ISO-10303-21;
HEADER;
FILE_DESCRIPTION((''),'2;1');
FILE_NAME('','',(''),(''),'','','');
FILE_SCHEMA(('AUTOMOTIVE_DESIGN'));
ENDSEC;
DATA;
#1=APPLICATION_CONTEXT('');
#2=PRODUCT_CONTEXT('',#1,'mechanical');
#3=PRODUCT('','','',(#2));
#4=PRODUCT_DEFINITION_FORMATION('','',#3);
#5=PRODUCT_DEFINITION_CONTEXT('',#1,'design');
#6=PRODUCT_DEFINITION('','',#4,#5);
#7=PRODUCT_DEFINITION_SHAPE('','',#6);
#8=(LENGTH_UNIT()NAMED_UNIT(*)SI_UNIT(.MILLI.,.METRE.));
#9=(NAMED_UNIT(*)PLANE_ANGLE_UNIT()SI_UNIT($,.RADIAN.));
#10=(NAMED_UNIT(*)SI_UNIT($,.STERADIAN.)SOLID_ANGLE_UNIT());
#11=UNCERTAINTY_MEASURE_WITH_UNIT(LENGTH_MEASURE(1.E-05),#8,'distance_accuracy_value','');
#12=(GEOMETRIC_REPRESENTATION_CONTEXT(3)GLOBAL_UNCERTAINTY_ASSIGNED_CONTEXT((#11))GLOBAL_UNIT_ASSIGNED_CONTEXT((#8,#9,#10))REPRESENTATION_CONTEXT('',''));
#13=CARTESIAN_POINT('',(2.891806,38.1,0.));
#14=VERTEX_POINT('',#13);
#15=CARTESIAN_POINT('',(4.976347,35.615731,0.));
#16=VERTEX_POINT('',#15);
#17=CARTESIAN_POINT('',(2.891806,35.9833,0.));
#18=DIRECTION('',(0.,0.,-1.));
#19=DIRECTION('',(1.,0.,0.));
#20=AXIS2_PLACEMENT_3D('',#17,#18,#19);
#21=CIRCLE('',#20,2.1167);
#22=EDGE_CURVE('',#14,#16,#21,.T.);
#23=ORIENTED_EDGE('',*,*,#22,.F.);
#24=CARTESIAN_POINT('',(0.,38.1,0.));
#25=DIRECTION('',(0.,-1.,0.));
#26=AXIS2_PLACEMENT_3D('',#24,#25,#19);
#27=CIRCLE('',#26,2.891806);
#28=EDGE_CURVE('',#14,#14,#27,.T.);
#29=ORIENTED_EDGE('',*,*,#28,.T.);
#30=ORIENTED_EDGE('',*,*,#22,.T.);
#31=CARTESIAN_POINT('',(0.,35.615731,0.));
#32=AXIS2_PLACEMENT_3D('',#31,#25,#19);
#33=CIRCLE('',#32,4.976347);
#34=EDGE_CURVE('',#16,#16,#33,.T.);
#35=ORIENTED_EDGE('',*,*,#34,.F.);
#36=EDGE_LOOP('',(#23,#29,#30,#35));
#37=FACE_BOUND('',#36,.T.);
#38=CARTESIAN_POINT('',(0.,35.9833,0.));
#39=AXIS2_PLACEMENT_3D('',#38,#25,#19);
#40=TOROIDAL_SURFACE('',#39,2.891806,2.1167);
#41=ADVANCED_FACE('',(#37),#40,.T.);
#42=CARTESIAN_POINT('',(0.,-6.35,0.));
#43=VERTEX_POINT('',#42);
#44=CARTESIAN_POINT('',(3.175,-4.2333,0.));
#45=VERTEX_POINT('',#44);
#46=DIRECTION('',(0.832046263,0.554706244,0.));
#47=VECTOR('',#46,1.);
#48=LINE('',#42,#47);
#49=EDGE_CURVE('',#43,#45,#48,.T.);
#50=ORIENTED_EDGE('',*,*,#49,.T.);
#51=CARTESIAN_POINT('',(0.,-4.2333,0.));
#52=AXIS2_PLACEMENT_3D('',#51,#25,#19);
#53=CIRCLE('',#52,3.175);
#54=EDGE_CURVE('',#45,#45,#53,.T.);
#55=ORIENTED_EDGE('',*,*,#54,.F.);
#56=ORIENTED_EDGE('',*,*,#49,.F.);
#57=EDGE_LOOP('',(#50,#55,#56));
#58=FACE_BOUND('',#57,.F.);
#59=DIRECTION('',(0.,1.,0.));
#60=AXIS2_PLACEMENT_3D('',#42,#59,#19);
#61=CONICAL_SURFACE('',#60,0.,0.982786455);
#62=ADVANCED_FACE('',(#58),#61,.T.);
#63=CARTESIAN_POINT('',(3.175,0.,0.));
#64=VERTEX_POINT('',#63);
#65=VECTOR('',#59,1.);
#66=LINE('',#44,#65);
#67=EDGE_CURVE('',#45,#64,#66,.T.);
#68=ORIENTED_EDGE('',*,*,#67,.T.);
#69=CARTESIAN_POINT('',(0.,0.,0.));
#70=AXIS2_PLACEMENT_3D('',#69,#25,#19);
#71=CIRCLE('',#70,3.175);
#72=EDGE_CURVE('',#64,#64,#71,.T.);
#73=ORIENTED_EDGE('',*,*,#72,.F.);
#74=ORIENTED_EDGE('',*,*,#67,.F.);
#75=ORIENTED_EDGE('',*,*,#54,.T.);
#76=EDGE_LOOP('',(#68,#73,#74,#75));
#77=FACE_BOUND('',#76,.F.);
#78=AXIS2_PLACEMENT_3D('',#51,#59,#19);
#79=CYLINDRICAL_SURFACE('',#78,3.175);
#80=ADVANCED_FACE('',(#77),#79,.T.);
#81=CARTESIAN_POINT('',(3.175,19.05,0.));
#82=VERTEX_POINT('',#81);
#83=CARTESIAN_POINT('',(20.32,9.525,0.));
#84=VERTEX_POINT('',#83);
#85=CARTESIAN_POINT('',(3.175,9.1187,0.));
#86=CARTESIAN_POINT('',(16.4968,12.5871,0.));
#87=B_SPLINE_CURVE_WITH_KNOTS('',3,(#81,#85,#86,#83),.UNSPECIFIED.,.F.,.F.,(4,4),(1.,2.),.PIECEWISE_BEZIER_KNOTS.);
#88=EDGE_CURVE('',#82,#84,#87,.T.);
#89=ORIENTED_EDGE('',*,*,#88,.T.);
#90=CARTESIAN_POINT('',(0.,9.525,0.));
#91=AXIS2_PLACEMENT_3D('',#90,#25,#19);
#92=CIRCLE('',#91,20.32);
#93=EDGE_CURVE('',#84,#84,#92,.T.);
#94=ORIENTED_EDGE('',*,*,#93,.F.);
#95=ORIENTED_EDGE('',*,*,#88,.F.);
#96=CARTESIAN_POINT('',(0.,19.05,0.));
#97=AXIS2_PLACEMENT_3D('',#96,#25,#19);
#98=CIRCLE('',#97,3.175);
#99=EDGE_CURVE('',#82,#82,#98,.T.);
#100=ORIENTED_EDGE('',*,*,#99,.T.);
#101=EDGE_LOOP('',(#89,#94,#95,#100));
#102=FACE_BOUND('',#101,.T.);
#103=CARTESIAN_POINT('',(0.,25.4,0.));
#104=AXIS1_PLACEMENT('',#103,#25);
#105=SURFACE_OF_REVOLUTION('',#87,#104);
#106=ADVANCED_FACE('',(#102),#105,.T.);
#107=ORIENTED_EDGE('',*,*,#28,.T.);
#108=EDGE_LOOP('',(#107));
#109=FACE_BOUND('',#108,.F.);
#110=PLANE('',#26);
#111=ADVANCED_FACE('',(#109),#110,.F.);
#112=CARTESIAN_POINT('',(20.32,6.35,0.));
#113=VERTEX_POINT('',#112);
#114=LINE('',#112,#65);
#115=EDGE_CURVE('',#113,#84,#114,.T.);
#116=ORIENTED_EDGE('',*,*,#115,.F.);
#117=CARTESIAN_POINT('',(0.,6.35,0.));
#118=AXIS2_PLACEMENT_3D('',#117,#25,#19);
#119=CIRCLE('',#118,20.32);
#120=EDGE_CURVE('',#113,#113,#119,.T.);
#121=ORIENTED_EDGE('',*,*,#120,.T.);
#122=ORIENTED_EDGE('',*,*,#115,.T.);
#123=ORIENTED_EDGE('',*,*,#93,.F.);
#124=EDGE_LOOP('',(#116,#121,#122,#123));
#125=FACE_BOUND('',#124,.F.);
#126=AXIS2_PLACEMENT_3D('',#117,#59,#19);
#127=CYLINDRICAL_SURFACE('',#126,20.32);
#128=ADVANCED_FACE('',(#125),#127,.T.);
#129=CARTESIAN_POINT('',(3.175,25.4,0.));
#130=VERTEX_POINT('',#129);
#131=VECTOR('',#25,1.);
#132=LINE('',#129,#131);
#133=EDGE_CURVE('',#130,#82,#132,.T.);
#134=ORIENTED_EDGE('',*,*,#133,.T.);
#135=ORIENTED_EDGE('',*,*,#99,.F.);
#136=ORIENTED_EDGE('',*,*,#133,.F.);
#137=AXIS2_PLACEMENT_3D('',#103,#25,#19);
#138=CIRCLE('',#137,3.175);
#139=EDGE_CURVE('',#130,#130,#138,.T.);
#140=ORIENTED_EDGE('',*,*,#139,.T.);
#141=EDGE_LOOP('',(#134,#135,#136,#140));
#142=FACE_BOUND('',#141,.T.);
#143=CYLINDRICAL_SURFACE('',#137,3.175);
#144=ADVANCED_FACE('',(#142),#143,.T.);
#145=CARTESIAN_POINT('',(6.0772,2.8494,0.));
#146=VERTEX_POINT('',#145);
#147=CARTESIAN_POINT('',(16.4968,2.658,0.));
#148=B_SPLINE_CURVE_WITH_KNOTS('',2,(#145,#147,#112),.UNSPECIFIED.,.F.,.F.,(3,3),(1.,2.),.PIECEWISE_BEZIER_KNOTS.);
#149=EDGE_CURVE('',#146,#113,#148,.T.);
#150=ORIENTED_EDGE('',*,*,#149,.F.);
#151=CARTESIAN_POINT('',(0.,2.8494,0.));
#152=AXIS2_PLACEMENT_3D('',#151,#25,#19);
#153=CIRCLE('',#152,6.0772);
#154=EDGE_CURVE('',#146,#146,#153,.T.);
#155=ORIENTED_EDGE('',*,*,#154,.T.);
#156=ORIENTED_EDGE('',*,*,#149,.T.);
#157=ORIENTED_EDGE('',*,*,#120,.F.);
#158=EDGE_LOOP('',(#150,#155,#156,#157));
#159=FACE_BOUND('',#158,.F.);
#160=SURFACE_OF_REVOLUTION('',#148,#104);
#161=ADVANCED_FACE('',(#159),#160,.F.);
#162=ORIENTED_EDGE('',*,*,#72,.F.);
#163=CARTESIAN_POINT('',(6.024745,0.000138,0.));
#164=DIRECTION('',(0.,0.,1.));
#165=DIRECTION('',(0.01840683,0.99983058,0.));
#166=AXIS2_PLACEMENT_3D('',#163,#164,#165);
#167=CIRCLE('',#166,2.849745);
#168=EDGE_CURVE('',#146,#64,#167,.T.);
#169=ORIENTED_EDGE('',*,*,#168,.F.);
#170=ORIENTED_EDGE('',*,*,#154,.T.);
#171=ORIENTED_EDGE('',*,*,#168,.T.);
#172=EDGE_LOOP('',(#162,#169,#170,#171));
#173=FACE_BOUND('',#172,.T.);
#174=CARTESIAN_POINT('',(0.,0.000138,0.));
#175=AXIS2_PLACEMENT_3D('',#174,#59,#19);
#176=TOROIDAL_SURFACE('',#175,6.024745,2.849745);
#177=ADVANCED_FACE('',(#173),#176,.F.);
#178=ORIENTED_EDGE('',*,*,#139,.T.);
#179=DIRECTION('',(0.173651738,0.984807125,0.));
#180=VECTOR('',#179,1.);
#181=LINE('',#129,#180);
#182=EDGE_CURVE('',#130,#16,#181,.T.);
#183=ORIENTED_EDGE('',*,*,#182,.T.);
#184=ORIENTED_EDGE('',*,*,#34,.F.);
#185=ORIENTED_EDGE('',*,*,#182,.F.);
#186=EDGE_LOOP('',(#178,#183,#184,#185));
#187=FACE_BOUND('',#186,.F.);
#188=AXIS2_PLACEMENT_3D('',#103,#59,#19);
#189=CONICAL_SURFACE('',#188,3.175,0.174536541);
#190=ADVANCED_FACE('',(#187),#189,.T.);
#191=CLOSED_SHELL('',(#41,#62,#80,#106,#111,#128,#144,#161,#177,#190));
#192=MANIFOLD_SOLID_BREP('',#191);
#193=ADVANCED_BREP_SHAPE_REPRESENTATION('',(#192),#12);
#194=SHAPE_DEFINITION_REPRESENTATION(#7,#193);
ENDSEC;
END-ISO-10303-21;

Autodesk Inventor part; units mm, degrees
ref_plane "YZ Plane" through (0, 0, 0) normal (1, 0, 0) x (0, 1, 0)
ref_plane "XZ Plane" through (0, 0, 0) normal (0, 1, 0) x (-1, 0, 0)
ref_plane "XY Plane" through (0, 0, 0) normal (0, 0, 1) x (1, 0, 0)
sketch "Sketch1" plane through (0, 0, 0) normal (0, 0, 1) x (1, 0, 0)
  line L0 (0, 0) -> (0, 25.4)
  line L1 (0, 0) -> (0, -6.35)
  line L2 (0, 25.4) -> (0, 38.1)
  line L3 (5.4144, 38.1) -> (0, 38.1)
  line L4 (3.175, 16.8251) -> (0, 16.8251) construction
  line L5 (3.175, 25.4) -> (0, 25.4) construction
  line L6 (0, 0) -> (3.175, 0) construction
  line L7 (3.175, 0) -> (18.1464, 0) construction
  line L8 (0, -6.35) -> (3.175, -4.2333)
  line L9 (3.175, -4.2333) -> (3.175, 0)
  line L10 (3.175, 25.4) -> (3.175, 19.05)
  arc A0 (6.0772, 2.8494) -> (3.175, 0) centre (6.0248, 0) ccw
  line L11 (3.175, 19.05) -> (3.175, 9.1187) construction
  line L12 (3.175, 9.1187) -> (16.4968, 12.5871) construction
  line L13 (16.4968, 12.5871) -> (20.32, 9.525) construction
  spline S0 degree 3 poles (3.175, 19.05) (3.175, 9.1187) (16.4968, 12.5871) (20.32, 9.525) knots 1 1 1 1 2 2 2 2
  line L14 (6.0772, 2.8494) -> (16.4968, 2.658) construction
  line L15 (16.4968, 2.658) -> (20.32, 6.35) construction
  spline S1 degree 2 poles (6.0772, 2.8494) (16.4968, 2.658) (20.32, 6.35) knots 1 1 1 2 2 2
  line L16 (20.32, 6.35) -> (20.32, 9.525)
  line L17 (3.175, 25.4) -> (5.4144, 38.1)
  dimension "d5" = 44.45
  dimension "d12" = 2.1167
  dimension "d13" = 3.175
  dimension "d15" = 4.2333
  dimension "d31" = 6.35
  dimension "d33" = 20.32
  dimension "d34" = 6.35
  dimension "d35" = 3.175
  dimension "d37" = 10
  dimension "d38" = 3.175
  dimension "d39" = 12.7
revolve "Revolution1" add sketch "Sketch1" angle 360 about axis through (0, 25.4, 0) along (0, -1, 0)
fillet "Fillet1" radius 2.1167 1 edges at (-5.4144, 38.1, 0)
properties part number "Top1"
